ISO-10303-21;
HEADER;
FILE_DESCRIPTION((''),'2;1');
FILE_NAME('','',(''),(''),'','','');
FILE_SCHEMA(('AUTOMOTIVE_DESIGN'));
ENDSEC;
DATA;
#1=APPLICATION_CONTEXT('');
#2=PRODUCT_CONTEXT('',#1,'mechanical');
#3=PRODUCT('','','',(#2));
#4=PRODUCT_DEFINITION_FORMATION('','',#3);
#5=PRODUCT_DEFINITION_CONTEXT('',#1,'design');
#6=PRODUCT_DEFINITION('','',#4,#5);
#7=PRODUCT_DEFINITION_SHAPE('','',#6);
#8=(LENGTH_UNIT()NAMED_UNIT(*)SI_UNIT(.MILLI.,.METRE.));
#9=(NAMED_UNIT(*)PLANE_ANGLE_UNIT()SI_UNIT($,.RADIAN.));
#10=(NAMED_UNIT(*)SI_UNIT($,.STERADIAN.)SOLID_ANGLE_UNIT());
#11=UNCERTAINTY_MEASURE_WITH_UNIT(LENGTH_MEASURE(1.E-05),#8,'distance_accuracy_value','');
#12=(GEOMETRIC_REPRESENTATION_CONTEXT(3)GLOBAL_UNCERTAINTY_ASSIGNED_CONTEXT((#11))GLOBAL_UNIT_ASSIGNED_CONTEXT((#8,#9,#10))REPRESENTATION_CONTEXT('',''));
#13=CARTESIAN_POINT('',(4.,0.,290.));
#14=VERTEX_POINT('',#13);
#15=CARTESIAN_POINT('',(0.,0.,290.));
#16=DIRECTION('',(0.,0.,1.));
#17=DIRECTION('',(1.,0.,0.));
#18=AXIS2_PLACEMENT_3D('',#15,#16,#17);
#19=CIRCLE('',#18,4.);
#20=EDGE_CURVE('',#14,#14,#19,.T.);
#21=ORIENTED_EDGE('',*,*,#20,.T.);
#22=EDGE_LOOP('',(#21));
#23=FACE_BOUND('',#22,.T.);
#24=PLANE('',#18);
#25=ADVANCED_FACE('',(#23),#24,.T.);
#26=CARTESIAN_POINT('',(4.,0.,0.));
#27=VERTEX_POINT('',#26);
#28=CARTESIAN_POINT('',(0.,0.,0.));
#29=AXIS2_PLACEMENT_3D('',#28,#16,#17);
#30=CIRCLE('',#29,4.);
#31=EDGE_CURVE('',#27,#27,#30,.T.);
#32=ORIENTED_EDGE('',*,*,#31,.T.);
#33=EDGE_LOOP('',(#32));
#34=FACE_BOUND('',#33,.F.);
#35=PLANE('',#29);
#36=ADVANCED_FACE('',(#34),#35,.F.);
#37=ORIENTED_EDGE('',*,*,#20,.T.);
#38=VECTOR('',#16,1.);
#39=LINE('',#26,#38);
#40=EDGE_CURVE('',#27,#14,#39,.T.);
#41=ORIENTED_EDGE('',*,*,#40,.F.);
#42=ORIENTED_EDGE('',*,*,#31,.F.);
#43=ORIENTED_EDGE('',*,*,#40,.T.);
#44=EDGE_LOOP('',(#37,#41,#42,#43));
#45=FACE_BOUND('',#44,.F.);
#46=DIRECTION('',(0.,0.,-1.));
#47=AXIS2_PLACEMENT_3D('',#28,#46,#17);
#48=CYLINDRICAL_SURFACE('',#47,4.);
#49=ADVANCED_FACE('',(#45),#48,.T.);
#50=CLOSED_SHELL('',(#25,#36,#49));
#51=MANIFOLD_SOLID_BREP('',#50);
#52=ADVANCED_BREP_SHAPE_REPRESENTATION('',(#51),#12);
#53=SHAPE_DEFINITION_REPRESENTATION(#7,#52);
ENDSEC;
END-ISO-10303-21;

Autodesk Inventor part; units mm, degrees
ref_plane "YZ Plane" through (0, 0, 0) normal (1, 0, 0) x (0, 1, 0)
ref_plane "XZ Plane" through (0, 0, 0) normal (0, 1, 0) x (-1, 0, 0)
ref_plane "XY Plane" through (0, 0, 0) normal (0, 0, 1) x (1, 0, 0)
sketch "Sketch1" plane through (0, 0, 0) normal (0, 0, 1) x (1, 0, 0)
  circle A0 centre (0, 0) radius 4
  dimension "d0" = 8
extrude "Extrusion1" add sketch "Sketch1" along normal blind 290
properties part number "M8X290 ROD"
